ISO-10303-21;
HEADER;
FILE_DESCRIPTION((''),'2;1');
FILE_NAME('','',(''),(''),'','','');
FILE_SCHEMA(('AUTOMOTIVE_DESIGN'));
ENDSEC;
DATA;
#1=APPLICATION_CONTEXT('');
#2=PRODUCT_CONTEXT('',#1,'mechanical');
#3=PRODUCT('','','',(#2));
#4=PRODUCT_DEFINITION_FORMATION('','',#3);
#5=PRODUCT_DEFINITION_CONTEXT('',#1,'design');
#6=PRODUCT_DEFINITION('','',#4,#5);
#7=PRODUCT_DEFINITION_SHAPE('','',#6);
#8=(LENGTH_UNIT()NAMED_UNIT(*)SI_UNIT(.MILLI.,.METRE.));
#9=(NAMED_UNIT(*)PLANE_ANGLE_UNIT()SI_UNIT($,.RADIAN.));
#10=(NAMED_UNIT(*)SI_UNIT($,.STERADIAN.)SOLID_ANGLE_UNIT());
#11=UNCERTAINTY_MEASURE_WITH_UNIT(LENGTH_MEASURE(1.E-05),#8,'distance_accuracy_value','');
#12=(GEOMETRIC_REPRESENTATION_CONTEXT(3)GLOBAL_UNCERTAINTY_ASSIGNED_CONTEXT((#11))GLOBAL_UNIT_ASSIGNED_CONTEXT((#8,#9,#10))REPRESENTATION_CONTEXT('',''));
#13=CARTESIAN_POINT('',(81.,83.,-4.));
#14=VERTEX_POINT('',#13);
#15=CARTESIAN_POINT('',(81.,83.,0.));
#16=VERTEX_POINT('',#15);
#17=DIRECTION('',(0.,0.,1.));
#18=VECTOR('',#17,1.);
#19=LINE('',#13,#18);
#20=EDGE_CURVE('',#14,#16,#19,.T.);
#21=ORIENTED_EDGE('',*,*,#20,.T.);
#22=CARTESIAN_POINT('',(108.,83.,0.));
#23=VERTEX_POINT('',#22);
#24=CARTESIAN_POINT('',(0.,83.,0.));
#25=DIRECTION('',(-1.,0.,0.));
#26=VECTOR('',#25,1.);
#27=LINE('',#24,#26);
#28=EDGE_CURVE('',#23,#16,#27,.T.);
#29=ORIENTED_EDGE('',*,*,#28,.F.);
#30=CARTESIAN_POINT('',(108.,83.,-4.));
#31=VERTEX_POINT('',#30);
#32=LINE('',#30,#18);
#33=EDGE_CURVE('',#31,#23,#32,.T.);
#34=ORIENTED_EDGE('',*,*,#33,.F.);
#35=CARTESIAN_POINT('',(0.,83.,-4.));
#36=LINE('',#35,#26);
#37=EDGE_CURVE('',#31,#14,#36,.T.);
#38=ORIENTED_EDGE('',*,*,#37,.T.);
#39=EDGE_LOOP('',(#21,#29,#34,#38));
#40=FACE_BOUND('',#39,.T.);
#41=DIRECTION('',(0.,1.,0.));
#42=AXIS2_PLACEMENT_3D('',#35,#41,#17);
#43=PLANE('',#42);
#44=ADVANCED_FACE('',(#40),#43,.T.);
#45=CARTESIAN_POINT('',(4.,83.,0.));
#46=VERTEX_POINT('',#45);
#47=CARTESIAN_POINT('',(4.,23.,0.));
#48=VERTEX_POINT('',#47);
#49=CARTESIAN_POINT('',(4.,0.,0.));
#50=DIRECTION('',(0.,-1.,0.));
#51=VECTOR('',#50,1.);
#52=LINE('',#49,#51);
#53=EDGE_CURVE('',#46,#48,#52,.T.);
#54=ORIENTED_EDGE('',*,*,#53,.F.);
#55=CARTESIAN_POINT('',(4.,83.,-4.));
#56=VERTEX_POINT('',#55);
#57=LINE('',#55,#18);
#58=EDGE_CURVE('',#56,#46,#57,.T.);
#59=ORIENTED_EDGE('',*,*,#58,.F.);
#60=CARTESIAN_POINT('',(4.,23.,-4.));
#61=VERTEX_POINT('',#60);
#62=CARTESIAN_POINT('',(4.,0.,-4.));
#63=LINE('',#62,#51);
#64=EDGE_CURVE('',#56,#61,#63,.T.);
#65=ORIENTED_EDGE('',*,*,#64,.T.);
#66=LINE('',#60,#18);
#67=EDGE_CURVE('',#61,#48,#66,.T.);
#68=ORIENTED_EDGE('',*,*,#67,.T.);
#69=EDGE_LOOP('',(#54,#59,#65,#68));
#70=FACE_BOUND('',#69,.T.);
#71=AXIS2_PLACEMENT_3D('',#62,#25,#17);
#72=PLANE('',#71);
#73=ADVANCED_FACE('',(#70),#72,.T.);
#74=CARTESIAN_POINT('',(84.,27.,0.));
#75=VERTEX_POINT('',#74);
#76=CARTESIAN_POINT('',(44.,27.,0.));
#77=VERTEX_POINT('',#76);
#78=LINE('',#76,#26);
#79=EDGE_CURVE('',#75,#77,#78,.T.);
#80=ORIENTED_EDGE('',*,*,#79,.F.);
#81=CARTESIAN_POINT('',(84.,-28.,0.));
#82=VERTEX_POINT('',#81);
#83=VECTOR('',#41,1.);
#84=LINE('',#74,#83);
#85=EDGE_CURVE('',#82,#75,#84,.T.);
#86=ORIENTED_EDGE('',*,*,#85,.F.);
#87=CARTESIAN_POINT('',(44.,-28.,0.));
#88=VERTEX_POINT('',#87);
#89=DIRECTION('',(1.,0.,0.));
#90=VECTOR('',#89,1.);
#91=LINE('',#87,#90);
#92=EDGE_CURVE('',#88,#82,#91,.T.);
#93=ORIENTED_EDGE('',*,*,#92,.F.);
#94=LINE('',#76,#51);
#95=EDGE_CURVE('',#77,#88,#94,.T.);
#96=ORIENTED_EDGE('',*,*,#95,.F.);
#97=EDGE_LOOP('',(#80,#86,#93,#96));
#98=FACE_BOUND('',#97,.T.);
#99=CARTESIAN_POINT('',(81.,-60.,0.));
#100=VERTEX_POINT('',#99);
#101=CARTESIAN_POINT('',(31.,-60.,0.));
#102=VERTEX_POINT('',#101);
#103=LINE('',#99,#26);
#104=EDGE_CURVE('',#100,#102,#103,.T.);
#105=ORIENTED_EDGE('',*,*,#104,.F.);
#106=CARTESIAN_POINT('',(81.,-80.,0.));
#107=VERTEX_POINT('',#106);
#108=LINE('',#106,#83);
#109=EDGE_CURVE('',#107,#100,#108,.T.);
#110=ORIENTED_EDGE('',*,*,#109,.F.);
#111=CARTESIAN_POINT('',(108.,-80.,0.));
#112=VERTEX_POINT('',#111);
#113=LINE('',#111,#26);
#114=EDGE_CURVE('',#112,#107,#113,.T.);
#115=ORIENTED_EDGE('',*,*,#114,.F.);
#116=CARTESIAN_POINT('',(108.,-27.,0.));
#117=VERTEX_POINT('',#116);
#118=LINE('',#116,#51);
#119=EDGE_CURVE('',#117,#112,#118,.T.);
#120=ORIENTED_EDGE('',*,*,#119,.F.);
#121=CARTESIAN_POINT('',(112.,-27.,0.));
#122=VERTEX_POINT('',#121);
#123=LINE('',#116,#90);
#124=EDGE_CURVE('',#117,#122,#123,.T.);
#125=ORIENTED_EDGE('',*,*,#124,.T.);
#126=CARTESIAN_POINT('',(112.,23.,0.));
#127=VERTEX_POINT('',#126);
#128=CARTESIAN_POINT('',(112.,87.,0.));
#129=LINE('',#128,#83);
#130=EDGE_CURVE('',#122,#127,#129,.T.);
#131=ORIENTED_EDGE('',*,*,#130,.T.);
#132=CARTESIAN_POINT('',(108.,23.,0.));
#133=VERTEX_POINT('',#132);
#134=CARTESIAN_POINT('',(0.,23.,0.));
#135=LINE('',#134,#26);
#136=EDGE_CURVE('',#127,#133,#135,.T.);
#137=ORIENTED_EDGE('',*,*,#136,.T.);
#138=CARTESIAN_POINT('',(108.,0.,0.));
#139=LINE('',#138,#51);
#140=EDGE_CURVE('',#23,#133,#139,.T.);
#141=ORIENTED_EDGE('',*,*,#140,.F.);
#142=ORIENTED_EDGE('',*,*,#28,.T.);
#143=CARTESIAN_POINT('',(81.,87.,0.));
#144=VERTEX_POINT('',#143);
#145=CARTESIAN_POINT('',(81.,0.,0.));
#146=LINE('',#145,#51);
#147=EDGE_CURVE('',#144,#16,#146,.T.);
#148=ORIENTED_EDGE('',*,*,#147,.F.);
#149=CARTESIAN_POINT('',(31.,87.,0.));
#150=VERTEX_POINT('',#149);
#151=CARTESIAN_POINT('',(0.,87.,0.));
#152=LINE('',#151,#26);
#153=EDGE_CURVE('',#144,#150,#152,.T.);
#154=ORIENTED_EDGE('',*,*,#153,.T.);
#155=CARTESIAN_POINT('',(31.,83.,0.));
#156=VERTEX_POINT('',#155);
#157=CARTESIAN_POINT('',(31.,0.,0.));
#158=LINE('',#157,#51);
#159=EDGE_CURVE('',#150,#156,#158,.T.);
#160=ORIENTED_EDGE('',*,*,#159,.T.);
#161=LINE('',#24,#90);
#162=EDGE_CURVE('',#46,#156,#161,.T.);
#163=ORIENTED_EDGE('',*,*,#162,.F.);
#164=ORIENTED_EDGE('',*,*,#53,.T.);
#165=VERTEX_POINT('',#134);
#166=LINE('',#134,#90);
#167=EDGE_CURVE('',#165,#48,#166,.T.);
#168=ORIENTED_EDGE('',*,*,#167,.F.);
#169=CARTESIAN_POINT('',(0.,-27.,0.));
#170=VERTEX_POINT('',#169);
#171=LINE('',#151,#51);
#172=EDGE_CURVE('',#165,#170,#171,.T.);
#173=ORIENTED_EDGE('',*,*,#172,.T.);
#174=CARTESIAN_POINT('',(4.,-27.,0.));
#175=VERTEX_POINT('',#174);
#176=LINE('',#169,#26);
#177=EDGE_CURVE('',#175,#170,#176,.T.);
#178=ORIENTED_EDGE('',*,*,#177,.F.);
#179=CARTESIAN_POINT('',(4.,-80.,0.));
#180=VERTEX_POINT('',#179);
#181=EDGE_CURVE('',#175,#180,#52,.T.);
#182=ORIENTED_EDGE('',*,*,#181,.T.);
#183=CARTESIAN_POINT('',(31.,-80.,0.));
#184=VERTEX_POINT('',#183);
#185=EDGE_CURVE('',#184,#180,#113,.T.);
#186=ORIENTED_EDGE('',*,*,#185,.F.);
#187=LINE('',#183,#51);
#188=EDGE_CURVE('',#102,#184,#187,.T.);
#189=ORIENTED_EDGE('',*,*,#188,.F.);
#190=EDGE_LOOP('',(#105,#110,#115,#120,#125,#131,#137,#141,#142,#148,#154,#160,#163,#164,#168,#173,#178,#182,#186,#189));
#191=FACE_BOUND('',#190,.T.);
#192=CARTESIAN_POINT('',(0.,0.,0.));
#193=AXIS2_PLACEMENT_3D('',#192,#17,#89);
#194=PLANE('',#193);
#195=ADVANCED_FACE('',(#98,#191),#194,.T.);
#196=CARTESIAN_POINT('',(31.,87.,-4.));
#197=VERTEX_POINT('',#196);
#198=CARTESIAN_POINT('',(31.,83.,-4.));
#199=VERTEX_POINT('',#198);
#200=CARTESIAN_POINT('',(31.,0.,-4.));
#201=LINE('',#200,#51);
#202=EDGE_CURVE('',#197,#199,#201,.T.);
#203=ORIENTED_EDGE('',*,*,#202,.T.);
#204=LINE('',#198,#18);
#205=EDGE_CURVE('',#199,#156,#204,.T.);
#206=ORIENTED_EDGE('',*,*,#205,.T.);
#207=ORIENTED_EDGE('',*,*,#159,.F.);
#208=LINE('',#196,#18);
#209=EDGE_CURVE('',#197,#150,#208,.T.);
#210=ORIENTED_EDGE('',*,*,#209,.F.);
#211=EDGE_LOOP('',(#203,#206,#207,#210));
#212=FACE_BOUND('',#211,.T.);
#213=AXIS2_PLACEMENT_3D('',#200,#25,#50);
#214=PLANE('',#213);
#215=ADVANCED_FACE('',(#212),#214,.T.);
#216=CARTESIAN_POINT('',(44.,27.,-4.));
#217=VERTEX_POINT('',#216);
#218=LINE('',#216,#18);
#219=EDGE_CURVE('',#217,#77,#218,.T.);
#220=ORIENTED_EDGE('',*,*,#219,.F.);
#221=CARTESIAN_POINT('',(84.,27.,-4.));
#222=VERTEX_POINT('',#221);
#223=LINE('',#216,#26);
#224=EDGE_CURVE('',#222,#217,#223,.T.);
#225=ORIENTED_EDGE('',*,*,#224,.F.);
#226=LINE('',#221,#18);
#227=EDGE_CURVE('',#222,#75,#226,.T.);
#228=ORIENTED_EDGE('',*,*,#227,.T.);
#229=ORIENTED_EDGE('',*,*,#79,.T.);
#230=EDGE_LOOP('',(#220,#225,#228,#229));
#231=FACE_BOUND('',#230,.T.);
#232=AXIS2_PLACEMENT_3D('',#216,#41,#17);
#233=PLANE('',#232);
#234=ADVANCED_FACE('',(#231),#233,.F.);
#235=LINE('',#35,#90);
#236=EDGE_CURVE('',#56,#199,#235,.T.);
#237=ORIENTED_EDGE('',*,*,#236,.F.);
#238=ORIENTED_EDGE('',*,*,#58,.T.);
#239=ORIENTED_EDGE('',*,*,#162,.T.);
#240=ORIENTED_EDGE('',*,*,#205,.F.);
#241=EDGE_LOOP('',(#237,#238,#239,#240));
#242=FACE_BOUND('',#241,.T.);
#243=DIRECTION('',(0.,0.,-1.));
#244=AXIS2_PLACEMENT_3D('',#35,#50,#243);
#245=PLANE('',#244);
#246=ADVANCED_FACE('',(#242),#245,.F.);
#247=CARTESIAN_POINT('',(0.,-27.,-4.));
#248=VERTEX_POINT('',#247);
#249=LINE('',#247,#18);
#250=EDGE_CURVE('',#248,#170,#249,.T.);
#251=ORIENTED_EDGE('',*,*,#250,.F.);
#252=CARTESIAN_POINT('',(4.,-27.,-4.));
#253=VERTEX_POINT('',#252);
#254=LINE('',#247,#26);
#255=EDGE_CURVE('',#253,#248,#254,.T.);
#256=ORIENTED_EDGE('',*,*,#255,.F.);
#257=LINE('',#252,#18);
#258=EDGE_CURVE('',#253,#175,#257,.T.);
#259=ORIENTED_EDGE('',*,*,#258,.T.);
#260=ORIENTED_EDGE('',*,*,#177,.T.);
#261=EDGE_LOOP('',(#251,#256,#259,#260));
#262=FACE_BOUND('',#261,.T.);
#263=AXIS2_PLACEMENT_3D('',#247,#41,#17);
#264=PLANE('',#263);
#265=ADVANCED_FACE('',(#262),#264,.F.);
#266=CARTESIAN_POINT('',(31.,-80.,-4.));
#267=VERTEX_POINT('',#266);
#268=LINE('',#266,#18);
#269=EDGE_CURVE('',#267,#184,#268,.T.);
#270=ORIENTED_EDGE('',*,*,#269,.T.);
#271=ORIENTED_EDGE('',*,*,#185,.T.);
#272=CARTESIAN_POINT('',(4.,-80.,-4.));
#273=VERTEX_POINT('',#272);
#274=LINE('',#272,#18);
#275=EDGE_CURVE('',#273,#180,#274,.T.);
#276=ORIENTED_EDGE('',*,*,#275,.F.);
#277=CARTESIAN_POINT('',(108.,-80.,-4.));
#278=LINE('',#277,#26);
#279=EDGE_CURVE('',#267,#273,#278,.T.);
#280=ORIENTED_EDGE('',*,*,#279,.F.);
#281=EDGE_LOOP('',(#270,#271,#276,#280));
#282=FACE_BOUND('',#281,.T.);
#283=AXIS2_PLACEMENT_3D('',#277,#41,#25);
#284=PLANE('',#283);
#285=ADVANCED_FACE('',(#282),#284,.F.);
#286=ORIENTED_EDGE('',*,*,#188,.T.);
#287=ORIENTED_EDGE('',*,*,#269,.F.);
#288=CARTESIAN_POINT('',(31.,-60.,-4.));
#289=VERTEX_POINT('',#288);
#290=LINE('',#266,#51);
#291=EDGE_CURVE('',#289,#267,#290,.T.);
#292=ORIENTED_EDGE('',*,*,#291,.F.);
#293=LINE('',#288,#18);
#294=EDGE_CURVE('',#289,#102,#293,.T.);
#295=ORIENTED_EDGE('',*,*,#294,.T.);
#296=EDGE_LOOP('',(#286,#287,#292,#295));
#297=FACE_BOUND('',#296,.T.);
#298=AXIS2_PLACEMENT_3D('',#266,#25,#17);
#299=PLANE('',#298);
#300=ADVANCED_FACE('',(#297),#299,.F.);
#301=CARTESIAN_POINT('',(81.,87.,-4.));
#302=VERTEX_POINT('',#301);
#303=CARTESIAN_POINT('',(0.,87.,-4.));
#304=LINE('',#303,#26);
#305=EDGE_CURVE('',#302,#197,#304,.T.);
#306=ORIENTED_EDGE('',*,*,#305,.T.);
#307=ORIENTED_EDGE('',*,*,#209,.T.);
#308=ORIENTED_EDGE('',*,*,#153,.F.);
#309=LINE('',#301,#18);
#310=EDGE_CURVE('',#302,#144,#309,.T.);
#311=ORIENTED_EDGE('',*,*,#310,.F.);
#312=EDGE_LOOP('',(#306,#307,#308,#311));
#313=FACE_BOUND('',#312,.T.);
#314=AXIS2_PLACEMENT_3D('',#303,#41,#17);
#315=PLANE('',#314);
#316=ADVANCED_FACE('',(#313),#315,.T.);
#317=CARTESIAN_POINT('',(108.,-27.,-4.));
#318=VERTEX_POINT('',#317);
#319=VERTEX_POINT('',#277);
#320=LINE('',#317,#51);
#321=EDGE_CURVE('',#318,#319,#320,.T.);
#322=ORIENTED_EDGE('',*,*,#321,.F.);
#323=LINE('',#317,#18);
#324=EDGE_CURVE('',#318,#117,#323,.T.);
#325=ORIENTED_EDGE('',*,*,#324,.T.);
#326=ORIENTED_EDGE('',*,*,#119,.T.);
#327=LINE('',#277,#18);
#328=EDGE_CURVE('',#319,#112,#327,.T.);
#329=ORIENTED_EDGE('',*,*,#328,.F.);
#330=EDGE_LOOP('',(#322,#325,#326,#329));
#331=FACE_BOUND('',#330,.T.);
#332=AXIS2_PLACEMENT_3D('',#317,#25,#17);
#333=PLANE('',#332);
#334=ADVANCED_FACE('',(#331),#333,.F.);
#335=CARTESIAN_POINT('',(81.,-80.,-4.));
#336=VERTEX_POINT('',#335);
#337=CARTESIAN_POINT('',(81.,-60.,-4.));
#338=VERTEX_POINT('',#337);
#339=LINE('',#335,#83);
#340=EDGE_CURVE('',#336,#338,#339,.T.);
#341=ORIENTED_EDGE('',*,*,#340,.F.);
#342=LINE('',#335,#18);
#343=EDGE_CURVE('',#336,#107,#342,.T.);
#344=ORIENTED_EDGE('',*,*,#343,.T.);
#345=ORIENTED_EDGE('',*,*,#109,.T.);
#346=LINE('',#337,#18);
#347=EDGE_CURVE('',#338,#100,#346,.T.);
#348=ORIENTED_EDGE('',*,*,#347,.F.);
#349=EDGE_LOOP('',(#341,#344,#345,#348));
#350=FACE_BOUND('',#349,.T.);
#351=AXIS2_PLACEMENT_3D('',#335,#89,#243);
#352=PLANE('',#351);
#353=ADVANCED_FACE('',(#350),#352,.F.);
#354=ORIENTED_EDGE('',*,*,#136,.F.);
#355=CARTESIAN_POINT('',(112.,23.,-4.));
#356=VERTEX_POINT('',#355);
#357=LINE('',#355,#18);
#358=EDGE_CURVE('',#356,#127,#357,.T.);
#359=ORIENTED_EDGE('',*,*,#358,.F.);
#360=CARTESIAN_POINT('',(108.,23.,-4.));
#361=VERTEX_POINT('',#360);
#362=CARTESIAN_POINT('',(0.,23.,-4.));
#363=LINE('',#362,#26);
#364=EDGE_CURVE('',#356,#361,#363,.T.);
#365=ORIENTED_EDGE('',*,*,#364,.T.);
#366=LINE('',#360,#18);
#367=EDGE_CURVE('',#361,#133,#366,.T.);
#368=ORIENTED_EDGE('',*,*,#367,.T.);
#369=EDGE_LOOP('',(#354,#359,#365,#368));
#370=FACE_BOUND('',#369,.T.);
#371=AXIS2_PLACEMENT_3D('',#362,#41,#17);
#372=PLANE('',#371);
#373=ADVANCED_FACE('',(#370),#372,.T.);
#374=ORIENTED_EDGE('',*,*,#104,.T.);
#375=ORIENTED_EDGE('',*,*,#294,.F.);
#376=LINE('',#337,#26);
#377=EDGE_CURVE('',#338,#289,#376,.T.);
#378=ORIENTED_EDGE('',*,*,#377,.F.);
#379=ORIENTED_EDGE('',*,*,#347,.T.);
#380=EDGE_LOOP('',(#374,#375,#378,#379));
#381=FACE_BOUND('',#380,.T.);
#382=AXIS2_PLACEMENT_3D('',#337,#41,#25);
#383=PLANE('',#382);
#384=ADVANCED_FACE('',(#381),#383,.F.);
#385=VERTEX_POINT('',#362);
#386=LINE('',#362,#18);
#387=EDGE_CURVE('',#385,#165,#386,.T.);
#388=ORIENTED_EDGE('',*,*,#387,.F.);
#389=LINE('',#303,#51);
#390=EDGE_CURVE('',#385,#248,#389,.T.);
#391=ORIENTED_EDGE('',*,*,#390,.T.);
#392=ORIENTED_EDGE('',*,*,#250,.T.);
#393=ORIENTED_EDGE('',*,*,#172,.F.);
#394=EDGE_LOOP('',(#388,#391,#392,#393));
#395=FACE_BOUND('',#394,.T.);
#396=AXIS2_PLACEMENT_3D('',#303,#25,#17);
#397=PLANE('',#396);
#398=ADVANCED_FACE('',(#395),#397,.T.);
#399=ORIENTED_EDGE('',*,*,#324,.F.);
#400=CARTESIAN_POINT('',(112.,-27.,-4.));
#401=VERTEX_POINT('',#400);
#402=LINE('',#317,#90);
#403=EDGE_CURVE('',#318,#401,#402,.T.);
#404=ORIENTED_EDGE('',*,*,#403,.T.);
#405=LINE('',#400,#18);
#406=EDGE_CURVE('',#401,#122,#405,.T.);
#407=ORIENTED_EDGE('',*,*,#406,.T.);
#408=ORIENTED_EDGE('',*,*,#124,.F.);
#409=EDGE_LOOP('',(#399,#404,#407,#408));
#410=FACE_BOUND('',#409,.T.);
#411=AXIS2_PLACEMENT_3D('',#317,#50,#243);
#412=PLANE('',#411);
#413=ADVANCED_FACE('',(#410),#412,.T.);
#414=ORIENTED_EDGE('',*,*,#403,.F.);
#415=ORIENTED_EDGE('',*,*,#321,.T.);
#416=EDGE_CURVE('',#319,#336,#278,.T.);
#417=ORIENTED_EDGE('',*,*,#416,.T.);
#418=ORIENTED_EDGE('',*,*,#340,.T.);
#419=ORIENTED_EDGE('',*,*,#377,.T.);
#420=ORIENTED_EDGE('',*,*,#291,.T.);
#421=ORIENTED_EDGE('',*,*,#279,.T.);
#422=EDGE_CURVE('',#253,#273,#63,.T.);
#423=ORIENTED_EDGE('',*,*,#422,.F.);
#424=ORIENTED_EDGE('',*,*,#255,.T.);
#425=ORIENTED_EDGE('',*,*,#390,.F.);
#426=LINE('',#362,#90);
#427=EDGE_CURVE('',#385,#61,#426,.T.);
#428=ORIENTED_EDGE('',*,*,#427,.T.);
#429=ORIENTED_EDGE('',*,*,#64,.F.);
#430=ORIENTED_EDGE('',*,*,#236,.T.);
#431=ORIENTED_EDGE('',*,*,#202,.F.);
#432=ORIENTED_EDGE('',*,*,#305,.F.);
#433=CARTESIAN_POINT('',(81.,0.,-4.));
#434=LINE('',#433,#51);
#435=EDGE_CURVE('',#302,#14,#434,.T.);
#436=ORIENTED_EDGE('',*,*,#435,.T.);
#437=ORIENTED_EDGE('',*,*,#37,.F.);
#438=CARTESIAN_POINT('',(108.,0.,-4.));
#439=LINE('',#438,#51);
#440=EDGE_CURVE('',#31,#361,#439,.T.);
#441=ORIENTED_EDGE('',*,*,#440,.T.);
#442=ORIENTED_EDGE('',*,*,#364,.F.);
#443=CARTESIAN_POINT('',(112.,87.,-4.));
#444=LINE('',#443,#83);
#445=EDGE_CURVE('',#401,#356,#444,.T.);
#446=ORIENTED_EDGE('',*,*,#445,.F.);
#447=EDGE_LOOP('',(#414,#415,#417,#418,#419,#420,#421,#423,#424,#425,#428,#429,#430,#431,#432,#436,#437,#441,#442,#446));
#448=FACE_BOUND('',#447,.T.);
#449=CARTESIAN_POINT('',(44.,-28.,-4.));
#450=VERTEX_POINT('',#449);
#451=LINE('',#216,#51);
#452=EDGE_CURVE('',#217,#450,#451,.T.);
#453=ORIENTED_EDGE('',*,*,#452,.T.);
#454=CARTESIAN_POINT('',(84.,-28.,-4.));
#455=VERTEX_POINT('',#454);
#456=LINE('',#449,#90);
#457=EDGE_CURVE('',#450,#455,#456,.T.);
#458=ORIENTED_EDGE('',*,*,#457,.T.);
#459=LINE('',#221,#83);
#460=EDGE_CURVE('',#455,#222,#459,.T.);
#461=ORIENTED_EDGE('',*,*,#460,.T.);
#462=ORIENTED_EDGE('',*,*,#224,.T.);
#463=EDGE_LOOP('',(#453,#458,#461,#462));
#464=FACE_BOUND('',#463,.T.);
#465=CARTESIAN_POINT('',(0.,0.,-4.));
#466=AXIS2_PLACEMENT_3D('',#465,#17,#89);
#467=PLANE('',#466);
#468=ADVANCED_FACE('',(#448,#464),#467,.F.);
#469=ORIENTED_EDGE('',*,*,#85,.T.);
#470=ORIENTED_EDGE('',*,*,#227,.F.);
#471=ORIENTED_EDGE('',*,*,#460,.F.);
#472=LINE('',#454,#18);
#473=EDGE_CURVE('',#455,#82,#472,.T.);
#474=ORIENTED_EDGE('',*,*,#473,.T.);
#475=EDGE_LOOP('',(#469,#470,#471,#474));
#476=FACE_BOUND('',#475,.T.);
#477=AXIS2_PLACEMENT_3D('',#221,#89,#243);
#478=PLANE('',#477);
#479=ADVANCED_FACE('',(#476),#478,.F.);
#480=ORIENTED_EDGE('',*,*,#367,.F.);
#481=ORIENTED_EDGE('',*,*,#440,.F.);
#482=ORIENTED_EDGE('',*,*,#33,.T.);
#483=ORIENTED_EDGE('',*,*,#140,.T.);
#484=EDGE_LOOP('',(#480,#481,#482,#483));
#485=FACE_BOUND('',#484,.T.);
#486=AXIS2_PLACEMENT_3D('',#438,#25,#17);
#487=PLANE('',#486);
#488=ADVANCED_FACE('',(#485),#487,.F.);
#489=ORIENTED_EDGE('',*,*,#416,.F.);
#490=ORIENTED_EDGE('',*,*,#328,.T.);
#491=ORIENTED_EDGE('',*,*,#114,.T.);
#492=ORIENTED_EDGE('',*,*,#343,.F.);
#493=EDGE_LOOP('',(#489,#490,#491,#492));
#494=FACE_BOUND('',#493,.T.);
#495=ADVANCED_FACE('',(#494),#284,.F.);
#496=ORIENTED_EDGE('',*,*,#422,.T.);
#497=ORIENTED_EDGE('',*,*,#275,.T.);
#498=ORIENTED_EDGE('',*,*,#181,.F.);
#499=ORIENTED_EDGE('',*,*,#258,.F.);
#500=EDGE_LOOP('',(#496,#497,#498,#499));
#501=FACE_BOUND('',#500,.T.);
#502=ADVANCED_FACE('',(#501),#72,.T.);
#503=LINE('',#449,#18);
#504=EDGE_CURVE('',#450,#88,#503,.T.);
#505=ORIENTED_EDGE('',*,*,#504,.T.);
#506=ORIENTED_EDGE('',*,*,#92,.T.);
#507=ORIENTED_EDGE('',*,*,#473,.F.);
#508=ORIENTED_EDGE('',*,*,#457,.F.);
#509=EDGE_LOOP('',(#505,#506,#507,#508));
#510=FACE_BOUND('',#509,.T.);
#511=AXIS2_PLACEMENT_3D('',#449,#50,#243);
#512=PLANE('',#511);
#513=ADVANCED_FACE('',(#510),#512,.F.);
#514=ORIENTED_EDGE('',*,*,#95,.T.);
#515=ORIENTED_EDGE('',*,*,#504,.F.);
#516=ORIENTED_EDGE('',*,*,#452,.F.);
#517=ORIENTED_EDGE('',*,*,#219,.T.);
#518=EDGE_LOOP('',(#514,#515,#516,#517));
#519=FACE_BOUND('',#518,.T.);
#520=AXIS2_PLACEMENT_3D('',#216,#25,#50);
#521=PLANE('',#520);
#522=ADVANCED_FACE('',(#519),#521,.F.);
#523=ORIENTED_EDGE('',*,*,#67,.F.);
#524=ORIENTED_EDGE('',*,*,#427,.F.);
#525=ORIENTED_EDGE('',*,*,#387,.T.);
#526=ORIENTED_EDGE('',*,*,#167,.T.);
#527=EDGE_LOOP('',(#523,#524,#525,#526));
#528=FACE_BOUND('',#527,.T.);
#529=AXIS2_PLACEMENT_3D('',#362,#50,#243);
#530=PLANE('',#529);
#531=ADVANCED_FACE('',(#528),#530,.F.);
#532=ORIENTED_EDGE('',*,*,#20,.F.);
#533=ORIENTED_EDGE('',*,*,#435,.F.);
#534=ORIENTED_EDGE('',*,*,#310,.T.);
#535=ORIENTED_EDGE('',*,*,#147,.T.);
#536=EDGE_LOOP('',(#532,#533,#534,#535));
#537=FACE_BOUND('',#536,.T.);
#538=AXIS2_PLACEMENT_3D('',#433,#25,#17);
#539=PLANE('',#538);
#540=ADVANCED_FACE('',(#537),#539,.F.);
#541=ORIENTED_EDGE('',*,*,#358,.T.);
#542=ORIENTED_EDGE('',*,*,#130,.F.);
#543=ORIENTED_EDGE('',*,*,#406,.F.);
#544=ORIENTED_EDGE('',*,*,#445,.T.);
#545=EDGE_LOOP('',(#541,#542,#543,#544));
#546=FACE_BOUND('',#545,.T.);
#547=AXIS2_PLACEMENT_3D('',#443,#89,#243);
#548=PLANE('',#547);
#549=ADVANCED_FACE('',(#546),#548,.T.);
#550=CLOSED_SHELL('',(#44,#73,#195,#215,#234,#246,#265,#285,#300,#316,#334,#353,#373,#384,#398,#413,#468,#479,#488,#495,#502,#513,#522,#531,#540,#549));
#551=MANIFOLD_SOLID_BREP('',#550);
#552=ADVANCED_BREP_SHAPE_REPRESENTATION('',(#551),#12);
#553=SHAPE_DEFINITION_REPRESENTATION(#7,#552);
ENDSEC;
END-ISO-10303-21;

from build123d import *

# Parameters (mm, degrees)
SKETCH_2_W          = 112
SKETCH_2_H          = 172
EXTRUDE_1_DEPTH     = 4
SKETCH_3_W          = 27
SKETCH_3_H          = 4
SKETCH_3_W_2        = 4
SKETCH_3_H_2        = 58
CUT_EXTRUDE_2_DEPTH = 4
SKETCH_5_W          = 104
SKETCH_5_H          = 5
CUT_EXTRUDE_4_DEPTH = 4
SKETCH_6_W          = 40
SKETCH_6_H          = 55
CUT_EXTRUDE_5_DEPTH = 4
SKETCH_8_W          = 50
SKETCH_8_H          = 20
CUT_EXTRUDE_6_DEPTH = 4


with BuildPart() as part:
    # 스케치2 → 보스-돌출1 (new body)
    with BuildSketch(Plane.XY):
        with Locations((56, 1)):
            Rectangle(SKETCH_2_W, SKETCH_2_H)
    extrude(amount=-EXTRUDE_1_DEPTH)

    # 스케치3 → 컷-돌출2 (cut)
    with BuildSketch(Plane.XY):
        with Locations((94.5, 85)):
            Rectangle(SKETCH_3_W, SKETCH_3_H)
        Polygon((112, 23), (112, 87), (108, 87), (108, 83), (108, 23), align=None)
        with Locations((17.5, 85)):
            Rectangle(SKETCH_3_W, SKETCH_3_H)
        Polygon((4, 83), (4, 87), (0, 87), (0, 23), (4, 23), align=None)
        with Locations((2, -56)):
            Rectangle(SKETCH_3_W_2, SKETCH_3_H_2)
        with Locations((110, -56)):
            Rectangle(SKETCH_3_W_2, SKETCH_3_H_2)
    extrude(amount=-CUT_EXTRUDE_2_DEPTH, mode=Mode.SUBTRACT)

    # 스케치5 → 컷-돌출4 (cut)
    with BuildSketch(Plane.XY):
        with Locations((56, -82.5)):
            Rectangle(SKETCH_5_W, SKETCH_5_H)
    extrude(amount=-CUT_EXTRUDE_4_DEPTH, mode=Mode.SUBTRACT)

    # 스케치6 → 컷-돌출5 (cut)
    with BuildSketch(Plane.XY):
        with Locations((64, -0.5)):
            Rectangle(SKETCH_6_W, SKETCH_6_H)
    extrude(amount=-CUT_EXTRUDE_5_DEPTH, mode=Mode.SUBTRACT)

    # 스케치8 → 컷-돌출6 (cut)
    with BuildSketch(Plane.XY):
        with Locations((56, -70)):
            Rectangle(SKETCH_8_W, SKETCH_8_H)
    extrude(amount=-CUT_EXTRUDE_6_DEPTH, mode=Mode.SUBTRACT)


solid = part.part
